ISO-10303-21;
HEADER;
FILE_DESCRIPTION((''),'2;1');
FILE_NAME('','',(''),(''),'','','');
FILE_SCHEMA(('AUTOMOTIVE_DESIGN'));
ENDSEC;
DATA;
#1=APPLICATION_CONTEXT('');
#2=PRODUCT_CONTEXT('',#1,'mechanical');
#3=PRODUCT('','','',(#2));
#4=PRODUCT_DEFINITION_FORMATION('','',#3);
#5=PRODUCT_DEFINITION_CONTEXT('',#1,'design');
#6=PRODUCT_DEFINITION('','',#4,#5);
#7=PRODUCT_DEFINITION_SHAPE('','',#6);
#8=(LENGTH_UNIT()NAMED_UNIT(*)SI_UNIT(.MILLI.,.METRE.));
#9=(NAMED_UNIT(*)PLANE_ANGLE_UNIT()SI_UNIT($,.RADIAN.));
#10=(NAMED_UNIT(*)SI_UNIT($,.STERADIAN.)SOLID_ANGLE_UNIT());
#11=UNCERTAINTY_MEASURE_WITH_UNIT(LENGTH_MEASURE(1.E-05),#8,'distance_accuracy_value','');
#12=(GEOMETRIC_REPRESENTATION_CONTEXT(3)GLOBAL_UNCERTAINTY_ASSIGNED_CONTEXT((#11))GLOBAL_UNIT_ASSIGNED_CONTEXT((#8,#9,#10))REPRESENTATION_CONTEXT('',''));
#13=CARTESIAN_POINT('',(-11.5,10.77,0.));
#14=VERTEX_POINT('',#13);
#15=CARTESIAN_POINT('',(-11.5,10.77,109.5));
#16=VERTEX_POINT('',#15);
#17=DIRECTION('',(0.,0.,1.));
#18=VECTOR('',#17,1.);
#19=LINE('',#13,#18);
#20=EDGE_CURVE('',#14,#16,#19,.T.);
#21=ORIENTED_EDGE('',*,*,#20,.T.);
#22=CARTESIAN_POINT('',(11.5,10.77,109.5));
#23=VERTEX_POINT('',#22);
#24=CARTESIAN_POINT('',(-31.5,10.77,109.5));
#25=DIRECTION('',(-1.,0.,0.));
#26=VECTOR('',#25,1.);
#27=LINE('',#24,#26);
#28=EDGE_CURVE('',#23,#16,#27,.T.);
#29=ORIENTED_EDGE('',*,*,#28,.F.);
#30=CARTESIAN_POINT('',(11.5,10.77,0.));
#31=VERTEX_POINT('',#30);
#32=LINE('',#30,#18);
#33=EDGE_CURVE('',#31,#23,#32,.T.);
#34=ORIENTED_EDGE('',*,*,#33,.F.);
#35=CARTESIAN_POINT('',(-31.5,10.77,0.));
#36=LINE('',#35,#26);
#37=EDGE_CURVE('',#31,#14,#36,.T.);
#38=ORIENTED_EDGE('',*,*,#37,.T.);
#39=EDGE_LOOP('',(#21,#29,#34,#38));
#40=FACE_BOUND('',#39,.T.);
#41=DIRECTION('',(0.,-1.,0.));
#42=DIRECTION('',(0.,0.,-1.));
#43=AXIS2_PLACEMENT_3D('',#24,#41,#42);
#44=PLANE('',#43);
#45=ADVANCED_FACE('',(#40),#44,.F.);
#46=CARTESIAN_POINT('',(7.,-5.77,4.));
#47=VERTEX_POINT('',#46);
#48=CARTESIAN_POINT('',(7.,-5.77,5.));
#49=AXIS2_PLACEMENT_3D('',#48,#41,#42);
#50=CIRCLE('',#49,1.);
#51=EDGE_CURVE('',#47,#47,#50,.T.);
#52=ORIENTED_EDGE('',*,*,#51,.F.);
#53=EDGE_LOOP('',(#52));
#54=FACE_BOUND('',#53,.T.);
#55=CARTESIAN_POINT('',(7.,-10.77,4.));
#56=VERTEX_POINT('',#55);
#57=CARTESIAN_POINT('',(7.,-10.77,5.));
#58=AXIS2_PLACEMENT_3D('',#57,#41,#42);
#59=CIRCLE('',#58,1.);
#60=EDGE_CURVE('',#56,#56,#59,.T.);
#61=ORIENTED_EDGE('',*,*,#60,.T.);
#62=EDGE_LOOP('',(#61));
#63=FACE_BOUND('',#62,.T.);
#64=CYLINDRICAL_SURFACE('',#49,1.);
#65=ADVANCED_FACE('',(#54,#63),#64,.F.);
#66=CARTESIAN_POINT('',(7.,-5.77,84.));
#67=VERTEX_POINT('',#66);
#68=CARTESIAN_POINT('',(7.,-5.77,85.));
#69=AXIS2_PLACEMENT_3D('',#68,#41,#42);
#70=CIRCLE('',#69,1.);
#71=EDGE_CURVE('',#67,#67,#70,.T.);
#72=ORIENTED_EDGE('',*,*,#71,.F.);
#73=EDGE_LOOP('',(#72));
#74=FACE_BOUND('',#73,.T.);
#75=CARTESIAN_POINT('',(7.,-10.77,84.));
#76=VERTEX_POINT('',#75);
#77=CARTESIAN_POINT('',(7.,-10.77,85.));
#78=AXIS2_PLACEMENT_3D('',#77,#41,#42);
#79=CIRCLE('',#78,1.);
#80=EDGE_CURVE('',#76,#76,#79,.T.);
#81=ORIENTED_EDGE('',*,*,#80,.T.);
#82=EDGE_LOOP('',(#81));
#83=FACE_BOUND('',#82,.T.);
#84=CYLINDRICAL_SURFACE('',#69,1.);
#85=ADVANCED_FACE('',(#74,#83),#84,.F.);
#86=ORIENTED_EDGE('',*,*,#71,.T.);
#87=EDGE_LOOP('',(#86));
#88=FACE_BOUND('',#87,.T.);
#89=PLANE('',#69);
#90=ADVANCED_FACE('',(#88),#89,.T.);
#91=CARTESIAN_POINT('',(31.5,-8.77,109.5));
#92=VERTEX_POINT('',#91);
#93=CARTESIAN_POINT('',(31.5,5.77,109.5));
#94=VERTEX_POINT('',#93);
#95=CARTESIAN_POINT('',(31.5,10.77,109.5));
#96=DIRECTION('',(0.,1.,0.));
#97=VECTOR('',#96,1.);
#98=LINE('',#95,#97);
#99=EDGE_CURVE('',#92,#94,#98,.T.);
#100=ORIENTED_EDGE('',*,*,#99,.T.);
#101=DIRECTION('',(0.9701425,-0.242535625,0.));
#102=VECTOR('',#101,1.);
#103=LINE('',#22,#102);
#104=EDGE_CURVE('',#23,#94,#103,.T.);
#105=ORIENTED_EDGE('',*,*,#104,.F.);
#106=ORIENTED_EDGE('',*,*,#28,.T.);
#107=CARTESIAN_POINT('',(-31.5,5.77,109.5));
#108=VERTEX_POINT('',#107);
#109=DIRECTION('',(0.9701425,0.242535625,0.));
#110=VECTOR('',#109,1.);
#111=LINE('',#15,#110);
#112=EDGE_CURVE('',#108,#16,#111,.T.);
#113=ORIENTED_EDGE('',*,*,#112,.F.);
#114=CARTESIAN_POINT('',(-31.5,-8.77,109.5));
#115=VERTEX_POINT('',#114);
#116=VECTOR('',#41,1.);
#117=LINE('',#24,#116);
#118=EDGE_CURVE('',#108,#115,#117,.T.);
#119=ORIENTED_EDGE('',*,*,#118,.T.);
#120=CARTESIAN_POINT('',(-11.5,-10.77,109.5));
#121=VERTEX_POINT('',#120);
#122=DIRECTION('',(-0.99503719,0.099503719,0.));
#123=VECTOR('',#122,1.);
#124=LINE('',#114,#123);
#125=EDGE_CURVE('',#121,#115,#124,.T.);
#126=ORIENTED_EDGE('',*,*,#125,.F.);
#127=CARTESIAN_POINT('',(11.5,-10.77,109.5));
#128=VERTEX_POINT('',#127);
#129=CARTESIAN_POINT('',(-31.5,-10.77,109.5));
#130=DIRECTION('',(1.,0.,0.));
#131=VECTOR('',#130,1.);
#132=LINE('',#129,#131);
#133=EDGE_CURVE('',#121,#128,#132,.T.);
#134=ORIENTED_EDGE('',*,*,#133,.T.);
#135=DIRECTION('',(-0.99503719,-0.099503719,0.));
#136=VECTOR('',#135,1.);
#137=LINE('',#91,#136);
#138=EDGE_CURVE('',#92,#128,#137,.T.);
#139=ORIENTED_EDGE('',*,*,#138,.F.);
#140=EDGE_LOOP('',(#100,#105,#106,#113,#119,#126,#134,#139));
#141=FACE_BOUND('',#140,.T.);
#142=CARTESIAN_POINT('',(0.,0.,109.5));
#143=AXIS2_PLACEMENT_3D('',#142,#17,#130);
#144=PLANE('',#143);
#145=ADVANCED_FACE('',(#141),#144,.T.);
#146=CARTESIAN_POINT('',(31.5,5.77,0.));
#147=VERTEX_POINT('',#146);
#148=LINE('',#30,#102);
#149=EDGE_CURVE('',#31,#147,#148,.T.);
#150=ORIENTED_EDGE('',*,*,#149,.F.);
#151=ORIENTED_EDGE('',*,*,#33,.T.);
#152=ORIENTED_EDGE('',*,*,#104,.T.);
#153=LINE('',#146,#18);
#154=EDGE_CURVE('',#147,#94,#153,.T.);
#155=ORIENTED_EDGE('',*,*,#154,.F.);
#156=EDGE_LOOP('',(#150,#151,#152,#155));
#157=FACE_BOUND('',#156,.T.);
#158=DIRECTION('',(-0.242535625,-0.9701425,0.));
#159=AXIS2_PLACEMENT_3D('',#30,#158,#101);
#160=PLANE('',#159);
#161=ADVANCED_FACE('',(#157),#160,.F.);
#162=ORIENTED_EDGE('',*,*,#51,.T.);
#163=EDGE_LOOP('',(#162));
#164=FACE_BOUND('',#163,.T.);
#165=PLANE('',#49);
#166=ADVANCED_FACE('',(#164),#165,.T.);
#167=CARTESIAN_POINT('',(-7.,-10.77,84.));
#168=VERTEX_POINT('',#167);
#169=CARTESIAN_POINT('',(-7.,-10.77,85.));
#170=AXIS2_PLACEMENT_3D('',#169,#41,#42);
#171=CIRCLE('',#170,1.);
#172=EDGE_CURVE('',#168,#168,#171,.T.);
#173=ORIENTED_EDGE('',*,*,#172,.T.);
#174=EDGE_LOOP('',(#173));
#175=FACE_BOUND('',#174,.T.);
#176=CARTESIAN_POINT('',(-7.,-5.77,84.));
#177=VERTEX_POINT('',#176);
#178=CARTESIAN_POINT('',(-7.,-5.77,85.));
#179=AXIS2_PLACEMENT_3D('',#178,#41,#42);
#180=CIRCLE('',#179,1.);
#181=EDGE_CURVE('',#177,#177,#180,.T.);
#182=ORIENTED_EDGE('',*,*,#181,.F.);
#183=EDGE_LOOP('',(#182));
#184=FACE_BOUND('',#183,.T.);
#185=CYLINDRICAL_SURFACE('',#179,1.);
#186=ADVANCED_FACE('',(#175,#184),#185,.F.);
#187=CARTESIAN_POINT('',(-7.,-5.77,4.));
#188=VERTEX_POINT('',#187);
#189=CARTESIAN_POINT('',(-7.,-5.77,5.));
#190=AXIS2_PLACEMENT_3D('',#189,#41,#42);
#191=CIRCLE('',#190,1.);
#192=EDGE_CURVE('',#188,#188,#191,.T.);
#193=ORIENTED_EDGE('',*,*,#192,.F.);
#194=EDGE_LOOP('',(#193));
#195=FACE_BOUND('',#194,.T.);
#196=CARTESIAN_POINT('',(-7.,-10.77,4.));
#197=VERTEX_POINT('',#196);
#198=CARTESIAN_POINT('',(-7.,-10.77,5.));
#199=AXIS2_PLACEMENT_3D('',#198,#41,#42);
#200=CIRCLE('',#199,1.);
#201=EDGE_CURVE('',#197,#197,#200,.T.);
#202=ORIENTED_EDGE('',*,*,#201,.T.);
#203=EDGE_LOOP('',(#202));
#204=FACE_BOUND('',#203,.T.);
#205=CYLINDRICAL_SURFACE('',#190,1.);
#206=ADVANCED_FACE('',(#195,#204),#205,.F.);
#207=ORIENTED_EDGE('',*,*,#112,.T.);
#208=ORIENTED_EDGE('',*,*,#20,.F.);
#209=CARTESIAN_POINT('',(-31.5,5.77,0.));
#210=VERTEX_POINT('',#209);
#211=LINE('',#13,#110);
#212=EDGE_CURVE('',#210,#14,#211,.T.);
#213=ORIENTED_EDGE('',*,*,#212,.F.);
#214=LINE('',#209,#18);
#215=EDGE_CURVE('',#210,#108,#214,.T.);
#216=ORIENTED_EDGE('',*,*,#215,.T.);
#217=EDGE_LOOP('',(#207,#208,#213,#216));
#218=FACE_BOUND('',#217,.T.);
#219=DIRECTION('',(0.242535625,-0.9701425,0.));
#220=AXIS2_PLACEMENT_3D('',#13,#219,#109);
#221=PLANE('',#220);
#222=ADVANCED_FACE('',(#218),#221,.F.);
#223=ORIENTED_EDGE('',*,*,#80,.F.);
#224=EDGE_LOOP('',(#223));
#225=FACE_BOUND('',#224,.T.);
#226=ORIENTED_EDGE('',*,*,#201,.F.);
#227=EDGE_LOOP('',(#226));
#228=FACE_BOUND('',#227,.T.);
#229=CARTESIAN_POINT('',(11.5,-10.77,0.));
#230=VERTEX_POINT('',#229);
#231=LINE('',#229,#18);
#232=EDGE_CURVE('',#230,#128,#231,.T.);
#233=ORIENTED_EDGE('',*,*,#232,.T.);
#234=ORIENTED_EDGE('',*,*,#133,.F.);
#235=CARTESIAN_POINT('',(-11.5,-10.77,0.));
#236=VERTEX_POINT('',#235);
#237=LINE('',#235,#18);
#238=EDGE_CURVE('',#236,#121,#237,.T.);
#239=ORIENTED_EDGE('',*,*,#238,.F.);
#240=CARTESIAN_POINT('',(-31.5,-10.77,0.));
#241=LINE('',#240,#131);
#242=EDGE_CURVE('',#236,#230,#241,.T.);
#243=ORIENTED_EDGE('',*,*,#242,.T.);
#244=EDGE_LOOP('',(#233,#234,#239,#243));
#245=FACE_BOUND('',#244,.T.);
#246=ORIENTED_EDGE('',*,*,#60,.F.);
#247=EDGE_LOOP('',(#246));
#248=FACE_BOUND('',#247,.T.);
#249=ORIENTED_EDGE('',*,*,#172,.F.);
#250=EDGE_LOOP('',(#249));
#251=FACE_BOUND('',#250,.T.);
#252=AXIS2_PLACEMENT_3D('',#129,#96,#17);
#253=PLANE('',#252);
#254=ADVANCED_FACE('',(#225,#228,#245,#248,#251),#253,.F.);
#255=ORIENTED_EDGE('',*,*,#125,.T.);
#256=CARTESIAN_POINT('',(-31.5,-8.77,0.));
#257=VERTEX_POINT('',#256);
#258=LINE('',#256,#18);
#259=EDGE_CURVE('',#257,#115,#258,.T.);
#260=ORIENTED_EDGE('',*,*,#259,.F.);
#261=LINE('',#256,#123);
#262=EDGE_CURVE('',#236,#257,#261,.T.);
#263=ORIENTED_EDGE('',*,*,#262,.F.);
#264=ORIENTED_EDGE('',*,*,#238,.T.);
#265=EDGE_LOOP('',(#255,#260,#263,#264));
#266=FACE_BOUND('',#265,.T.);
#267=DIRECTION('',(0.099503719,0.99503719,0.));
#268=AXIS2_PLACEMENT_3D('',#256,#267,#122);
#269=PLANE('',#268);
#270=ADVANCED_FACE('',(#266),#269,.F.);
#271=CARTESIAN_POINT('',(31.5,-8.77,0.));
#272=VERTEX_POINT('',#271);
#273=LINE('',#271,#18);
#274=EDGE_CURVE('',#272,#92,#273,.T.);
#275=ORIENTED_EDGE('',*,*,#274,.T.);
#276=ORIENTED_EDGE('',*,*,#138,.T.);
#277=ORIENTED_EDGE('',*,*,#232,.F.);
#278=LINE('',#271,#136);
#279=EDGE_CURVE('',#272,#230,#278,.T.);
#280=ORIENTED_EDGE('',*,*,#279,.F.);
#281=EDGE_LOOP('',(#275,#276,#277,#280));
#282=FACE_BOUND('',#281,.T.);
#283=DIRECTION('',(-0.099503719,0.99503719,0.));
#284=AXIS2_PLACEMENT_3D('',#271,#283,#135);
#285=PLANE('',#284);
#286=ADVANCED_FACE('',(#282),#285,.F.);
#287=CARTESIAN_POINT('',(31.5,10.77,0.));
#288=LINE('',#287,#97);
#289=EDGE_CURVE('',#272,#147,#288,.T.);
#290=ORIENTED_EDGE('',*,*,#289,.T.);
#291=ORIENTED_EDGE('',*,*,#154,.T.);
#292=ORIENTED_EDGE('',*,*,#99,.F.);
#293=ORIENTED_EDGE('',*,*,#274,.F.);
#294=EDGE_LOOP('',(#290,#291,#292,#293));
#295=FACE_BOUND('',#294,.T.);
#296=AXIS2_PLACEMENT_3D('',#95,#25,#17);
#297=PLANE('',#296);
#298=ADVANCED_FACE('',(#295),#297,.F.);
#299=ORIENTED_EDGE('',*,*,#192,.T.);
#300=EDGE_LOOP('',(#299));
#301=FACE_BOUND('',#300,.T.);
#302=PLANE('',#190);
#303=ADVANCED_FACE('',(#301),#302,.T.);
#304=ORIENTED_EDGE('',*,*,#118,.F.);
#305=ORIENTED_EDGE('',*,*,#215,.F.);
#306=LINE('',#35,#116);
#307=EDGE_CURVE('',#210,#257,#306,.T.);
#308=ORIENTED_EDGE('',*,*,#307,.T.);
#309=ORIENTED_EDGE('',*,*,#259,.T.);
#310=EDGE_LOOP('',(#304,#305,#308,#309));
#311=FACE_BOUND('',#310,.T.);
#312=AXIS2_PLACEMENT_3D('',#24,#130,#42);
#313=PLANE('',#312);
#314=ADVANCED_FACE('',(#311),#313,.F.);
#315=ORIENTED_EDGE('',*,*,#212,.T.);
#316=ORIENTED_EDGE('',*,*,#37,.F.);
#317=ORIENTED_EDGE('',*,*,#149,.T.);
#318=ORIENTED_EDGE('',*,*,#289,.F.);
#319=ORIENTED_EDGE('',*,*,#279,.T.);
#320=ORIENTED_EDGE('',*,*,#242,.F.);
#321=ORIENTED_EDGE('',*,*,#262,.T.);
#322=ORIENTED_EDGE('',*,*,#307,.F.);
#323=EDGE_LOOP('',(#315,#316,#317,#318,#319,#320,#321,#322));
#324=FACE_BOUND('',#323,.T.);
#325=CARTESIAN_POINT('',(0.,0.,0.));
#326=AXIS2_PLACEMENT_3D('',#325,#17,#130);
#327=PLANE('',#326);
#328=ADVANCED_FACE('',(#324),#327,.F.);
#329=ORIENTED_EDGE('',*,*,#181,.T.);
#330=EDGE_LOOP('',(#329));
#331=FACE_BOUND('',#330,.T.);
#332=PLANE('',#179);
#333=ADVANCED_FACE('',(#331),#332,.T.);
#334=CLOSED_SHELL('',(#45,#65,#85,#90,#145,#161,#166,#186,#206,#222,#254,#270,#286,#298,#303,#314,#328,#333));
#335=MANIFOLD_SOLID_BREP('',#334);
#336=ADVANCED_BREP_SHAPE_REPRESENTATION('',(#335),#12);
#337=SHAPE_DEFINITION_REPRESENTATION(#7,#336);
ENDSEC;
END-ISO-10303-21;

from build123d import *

# Parameters (mm, degrees)
SKETCH_1_W          = 63
SKETCH_1_H          = 21.54
EXTRUDE_1_DEPTH     = 109.5
CUT_EXTRUDE_1_DEPTH = 115.448647436
SKETCH_3_R          = 1
CUT_EXTRUDE_2_DEPTH = 5


with BuildPart() as part:
    # 草图1 → 凸台-拉伸1 (new body)
    with BuildSketch(Plane.XY):
        Rectangle(SKETCH_1_W, SKETCH_1_H)
    extrude(amount=EXTRUDE_1_DEPTH)

    # 草图2 → 切除-拉伸1 (cut, through all)
    with BuildSketch(Plane.XY.offset(109.5)):
        Polygon((11.5, 10.77), (31.5, 5.77), (31.5, 10.77), align=None)
        Polygon((-31.5, 10.77), (-11.5, 10.77), (-31.5, 5.77), align=None)
        Polygon((-31.5, -8.77), (-11.5, -10.77), (-31.5, -10.77), align=None)
        Polygon((31.5, -8.77), (11.5, -10.77), (31.5, -10.77), align=None)
    extrude(amount=-CUT_EXTRUDE_1_DEPTH, mode=Mode.SUBTRACT)

    # 草图3 → 切除-拉伸2 (cut)
    with BuildSketch(Plane.XZ.offset(10.77)):
        with Locations(Location((-7, 5, 0), (0, 0, 270))):
            Circle(SKETCH_3_R)
        with Locations(Location((7, 5, 0), (0, 0, 270))):
            Circle(SKETCH_3_R)
        with Locations(Location((-7, 85, 0), (0, 0, 270))):
            Circle(SKETCH_3_R)
        with Locations(Location((7, 85, 0), (0, 0, 270))):
            Circle(SKETCH_3_R)
    extrude(amount=-CUT_EXTRUDE_2_DEPTH, mode=Mode.SUBTRACT)


solid = part.part
